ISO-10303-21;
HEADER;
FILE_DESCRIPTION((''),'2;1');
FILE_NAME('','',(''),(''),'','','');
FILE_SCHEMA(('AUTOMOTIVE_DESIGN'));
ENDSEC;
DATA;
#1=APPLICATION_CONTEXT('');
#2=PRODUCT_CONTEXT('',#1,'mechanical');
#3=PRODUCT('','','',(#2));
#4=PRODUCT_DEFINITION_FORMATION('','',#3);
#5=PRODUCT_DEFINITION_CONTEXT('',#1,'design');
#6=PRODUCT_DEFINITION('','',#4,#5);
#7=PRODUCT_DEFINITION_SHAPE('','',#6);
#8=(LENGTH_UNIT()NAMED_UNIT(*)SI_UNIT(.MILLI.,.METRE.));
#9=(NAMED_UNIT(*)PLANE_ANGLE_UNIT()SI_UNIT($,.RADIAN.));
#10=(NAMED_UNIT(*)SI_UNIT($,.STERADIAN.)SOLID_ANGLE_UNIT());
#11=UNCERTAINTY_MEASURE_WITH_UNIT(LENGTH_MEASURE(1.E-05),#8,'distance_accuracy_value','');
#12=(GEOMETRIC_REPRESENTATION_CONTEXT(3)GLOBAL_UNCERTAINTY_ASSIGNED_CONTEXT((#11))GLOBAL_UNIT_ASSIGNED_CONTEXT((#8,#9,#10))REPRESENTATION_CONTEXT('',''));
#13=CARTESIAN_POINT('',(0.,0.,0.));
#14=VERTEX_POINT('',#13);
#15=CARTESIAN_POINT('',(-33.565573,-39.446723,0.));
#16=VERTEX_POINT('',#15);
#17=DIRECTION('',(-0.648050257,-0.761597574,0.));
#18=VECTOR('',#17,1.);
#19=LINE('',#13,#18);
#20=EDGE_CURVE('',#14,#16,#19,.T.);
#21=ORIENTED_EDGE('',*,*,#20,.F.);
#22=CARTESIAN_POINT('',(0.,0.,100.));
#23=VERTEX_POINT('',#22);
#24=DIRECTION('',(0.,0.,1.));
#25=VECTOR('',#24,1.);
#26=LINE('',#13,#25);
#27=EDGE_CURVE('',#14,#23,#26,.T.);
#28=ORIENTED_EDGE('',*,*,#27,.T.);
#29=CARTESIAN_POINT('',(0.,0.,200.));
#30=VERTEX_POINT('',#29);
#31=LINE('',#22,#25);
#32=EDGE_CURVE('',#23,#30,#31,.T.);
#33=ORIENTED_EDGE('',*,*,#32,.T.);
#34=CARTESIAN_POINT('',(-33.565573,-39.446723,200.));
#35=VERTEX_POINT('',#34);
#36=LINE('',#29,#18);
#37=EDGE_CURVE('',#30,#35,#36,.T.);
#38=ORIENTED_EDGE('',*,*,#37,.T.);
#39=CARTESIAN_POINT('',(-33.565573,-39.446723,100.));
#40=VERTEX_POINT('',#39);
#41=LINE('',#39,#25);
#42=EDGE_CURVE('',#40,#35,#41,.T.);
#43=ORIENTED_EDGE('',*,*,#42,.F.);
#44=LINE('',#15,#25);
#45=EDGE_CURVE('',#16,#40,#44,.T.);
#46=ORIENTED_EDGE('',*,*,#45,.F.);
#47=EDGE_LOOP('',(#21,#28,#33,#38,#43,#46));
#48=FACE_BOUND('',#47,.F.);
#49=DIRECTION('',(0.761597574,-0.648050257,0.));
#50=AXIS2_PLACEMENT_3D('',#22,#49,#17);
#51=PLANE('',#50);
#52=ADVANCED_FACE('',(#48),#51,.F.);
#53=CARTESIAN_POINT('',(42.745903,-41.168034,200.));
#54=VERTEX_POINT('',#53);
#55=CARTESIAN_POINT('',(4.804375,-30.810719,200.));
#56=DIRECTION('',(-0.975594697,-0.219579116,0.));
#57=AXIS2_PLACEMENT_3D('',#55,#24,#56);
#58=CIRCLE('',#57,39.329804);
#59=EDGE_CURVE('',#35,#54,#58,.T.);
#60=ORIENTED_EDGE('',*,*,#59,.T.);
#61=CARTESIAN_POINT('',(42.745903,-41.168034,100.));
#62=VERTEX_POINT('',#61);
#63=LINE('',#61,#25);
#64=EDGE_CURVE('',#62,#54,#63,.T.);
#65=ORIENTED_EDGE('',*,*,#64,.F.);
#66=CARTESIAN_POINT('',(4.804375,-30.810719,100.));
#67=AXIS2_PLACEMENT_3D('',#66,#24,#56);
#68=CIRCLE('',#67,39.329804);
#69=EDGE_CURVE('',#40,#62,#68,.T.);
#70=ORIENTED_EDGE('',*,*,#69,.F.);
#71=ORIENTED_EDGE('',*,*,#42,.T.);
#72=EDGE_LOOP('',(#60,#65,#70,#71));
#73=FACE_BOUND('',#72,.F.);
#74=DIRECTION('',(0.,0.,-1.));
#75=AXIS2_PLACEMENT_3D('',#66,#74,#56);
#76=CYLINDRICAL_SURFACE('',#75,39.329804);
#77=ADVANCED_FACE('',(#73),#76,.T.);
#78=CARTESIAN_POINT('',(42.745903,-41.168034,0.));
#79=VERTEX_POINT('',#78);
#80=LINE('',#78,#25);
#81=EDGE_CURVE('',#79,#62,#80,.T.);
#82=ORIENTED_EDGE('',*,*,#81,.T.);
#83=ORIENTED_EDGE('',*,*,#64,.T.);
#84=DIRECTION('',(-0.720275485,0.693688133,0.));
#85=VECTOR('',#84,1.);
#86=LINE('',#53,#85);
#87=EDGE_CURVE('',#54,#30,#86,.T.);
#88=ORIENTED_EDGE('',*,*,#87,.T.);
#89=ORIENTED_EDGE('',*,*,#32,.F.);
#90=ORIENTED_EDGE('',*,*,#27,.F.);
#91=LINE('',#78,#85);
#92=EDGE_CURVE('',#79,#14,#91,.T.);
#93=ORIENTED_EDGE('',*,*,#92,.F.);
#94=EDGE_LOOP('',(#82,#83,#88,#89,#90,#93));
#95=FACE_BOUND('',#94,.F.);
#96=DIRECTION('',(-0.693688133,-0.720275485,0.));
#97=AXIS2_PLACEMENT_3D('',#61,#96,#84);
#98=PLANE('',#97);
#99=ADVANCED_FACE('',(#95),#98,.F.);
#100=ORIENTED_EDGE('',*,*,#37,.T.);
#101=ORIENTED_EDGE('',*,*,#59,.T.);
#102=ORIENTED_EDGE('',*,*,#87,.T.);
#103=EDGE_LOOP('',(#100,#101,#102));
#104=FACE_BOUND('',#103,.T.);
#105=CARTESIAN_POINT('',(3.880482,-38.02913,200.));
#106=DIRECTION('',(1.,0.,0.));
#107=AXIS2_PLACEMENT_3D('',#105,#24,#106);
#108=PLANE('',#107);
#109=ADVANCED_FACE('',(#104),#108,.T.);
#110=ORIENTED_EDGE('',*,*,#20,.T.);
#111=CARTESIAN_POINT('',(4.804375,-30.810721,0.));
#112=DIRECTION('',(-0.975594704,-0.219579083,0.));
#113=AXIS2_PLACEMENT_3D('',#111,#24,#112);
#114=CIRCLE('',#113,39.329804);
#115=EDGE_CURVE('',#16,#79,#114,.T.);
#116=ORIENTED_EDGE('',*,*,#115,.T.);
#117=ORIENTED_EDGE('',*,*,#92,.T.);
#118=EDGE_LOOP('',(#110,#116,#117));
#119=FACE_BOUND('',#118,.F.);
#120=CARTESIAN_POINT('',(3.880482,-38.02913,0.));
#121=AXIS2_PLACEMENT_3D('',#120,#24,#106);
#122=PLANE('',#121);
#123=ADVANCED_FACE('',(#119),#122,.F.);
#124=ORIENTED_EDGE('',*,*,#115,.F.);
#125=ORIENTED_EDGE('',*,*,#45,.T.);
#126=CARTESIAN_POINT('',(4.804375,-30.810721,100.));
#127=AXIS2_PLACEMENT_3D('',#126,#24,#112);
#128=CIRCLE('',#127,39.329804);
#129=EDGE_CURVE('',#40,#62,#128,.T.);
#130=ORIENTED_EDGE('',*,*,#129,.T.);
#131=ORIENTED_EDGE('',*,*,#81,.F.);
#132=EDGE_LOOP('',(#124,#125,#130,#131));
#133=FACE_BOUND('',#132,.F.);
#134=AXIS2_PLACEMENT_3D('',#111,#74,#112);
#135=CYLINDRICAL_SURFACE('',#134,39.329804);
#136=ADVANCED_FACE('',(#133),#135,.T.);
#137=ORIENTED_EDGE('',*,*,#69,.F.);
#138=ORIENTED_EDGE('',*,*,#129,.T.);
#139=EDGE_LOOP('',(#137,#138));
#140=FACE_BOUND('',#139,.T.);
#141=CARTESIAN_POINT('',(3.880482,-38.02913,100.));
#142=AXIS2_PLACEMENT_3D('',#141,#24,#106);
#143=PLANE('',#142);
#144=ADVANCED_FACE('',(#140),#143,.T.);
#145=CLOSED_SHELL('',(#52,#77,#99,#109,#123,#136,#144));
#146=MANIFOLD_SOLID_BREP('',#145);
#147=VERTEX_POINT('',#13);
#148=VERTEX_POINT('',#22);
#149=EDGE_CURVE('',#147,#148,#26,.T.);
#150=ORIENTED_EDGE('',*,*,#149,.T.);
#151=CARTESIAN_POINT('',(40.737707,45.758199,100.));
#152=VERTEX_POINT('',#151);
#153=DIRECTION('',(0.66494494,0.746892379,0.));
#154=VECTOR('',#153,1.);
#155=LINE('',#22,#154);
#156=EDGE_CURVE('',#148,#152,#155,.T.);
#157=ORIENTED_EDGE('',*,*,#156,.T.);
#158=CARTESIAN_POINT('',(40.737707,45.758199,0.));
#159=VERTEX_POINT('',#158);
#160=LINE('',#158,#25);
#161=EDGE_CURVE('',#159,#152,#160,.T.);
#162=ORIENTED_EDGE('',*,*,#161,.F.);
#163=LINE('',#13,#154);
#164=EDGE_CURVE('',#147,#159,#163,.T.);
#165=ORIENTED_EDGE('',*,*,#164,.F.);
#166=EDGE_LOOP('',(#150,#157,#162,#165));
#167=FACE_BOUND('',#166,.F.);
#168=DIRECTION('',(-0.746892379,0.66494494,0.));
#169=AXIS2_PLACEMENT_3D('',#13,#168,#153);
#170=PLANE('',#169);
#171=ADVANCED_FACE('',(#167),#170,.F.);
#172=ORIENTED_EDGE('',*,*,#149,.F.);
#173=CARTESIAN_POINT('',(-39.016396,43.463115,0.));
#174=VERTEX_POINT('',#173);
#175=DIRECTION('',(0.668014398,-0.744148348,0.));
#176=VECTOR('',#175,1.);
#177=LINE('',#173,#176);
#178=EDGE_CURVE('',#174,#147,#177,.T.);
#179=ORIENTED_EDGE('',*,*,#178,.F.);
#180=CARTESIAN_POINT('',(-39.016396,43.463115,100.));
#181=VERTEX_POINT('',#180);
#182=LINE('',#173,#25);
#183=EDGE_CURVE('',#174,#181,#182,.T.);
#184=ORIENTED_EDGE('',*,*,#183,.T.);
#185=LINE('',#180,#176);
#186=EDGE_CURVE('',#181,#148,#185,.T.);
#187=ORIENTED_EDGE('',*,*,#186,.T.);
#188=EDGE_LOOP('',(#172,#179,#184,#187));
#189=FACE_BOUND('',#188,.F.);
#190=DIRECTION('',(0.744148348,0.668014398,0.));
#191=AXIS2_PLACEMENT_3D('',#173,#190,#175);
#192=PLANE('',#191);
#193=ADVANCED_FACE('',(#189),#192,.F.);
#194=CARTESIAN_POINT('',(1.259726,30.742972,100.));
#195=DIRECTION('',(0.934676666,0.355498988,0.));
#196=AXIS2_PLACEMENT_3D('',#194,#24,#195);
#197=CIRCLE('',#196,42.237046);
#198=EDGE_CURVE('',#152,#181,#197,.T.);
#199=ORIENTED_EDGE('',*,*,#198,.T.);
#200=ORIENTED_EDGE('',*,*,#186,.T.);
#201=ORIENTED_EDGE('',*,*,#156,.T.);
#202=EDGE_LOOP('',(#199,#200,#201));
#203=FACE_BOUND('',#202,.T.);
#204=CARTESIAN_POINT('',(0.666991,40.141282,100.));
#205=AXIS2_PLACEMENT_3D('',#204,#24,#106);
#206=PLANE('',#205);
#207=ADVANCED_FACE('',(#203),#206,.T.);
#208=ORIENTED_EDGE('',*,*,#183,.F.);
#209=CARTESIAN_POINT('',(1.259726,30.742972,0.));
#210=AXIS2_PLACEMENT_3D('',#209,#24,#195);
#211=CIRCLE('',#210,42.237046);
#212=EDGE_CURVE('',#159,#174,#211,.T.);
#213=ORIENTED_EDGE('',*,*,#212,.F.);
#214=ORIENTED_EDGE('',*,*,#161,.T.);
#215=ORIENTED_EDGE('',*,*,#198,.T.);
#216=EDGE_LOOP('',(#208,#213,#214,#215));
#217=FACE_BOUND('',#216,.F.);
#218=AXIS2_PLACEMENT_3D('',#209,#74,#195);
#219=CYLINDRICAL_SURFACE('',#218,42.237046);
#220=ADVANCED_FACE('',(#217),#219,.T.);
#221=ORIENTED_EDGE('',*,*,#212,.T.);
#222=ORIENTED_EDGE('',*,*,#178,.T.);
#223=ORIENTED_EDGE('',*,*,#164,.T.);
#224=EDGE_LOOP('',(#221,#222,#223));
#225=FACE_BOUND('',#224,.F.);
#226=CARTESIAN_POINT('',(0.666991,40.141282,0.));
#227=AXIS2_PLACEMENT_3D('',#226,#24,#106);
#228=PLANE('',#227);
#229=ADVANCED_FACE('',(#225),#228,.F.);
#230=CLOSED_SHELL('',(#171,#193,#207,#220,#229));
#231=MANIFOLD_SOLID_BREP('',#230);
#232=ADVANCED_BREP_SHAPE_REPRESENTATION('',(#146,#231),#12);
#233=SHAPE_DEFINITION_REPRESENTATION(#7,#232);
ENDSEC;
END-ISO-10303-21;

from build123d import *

# Parameters (mm, degrees)
F1_DEPTH = 100
F2_DEPTH = 100


with BuildPart() as f1:
    # F0 (on Top) → F1 (new body)
    with BuildSketch(Plane.XY):
        with BuildLine():
            Line((-39.016396, 43.463115), (0, 0))
            Line((0, 0), (40.737707, 45.758199))
            ThreePointArc((40.737707, 45.758199), (0.044773, 72.96254), (-39.016396, 43.463115))
        make_face()
        with BuildLine():
            Line((42.745903, -41.168034), (0, 0))
            Line((0, 0), (-33.565573, -39.446723))
            ThreePointArc((-33.565573, -39.446723), (3.917462, -70.130523), (42.745903, -41.168034))
        make_face()
    extrude(amount=F1_DEPTH)

    # F1_face (on face) → F2 (join)
    with BuildSketch(Plane(origin=(3.715177, -40.429225, 100), x_dir=(1, 0, 0), z_dir=(0, 0, 1))):
        with BuildLine():
            Line((39.030726, -0.738809), (-3.715177, 40.429225))
            Line((-3.715177, 40.429225), (-37.28075, 0.982502))
            ThreePointArc((-37.28075, 0.982502), (0.202286, -29.701297), (39.030726, -0.738809))
        make_face()
        with BuildLine():
            Line((-3.715177, 40.429225), (39.030726, -0.738809))
            ThreePointArc((39.030726, -0.738809), (0.202286, -29.701297), (-37.28075, 0.982502))
            Line((-37.28075, 0.982502), (-3.715177, 40.429225))
        make_face()
    extrude(amount=F2_DEPTH)


solid = f1.part
